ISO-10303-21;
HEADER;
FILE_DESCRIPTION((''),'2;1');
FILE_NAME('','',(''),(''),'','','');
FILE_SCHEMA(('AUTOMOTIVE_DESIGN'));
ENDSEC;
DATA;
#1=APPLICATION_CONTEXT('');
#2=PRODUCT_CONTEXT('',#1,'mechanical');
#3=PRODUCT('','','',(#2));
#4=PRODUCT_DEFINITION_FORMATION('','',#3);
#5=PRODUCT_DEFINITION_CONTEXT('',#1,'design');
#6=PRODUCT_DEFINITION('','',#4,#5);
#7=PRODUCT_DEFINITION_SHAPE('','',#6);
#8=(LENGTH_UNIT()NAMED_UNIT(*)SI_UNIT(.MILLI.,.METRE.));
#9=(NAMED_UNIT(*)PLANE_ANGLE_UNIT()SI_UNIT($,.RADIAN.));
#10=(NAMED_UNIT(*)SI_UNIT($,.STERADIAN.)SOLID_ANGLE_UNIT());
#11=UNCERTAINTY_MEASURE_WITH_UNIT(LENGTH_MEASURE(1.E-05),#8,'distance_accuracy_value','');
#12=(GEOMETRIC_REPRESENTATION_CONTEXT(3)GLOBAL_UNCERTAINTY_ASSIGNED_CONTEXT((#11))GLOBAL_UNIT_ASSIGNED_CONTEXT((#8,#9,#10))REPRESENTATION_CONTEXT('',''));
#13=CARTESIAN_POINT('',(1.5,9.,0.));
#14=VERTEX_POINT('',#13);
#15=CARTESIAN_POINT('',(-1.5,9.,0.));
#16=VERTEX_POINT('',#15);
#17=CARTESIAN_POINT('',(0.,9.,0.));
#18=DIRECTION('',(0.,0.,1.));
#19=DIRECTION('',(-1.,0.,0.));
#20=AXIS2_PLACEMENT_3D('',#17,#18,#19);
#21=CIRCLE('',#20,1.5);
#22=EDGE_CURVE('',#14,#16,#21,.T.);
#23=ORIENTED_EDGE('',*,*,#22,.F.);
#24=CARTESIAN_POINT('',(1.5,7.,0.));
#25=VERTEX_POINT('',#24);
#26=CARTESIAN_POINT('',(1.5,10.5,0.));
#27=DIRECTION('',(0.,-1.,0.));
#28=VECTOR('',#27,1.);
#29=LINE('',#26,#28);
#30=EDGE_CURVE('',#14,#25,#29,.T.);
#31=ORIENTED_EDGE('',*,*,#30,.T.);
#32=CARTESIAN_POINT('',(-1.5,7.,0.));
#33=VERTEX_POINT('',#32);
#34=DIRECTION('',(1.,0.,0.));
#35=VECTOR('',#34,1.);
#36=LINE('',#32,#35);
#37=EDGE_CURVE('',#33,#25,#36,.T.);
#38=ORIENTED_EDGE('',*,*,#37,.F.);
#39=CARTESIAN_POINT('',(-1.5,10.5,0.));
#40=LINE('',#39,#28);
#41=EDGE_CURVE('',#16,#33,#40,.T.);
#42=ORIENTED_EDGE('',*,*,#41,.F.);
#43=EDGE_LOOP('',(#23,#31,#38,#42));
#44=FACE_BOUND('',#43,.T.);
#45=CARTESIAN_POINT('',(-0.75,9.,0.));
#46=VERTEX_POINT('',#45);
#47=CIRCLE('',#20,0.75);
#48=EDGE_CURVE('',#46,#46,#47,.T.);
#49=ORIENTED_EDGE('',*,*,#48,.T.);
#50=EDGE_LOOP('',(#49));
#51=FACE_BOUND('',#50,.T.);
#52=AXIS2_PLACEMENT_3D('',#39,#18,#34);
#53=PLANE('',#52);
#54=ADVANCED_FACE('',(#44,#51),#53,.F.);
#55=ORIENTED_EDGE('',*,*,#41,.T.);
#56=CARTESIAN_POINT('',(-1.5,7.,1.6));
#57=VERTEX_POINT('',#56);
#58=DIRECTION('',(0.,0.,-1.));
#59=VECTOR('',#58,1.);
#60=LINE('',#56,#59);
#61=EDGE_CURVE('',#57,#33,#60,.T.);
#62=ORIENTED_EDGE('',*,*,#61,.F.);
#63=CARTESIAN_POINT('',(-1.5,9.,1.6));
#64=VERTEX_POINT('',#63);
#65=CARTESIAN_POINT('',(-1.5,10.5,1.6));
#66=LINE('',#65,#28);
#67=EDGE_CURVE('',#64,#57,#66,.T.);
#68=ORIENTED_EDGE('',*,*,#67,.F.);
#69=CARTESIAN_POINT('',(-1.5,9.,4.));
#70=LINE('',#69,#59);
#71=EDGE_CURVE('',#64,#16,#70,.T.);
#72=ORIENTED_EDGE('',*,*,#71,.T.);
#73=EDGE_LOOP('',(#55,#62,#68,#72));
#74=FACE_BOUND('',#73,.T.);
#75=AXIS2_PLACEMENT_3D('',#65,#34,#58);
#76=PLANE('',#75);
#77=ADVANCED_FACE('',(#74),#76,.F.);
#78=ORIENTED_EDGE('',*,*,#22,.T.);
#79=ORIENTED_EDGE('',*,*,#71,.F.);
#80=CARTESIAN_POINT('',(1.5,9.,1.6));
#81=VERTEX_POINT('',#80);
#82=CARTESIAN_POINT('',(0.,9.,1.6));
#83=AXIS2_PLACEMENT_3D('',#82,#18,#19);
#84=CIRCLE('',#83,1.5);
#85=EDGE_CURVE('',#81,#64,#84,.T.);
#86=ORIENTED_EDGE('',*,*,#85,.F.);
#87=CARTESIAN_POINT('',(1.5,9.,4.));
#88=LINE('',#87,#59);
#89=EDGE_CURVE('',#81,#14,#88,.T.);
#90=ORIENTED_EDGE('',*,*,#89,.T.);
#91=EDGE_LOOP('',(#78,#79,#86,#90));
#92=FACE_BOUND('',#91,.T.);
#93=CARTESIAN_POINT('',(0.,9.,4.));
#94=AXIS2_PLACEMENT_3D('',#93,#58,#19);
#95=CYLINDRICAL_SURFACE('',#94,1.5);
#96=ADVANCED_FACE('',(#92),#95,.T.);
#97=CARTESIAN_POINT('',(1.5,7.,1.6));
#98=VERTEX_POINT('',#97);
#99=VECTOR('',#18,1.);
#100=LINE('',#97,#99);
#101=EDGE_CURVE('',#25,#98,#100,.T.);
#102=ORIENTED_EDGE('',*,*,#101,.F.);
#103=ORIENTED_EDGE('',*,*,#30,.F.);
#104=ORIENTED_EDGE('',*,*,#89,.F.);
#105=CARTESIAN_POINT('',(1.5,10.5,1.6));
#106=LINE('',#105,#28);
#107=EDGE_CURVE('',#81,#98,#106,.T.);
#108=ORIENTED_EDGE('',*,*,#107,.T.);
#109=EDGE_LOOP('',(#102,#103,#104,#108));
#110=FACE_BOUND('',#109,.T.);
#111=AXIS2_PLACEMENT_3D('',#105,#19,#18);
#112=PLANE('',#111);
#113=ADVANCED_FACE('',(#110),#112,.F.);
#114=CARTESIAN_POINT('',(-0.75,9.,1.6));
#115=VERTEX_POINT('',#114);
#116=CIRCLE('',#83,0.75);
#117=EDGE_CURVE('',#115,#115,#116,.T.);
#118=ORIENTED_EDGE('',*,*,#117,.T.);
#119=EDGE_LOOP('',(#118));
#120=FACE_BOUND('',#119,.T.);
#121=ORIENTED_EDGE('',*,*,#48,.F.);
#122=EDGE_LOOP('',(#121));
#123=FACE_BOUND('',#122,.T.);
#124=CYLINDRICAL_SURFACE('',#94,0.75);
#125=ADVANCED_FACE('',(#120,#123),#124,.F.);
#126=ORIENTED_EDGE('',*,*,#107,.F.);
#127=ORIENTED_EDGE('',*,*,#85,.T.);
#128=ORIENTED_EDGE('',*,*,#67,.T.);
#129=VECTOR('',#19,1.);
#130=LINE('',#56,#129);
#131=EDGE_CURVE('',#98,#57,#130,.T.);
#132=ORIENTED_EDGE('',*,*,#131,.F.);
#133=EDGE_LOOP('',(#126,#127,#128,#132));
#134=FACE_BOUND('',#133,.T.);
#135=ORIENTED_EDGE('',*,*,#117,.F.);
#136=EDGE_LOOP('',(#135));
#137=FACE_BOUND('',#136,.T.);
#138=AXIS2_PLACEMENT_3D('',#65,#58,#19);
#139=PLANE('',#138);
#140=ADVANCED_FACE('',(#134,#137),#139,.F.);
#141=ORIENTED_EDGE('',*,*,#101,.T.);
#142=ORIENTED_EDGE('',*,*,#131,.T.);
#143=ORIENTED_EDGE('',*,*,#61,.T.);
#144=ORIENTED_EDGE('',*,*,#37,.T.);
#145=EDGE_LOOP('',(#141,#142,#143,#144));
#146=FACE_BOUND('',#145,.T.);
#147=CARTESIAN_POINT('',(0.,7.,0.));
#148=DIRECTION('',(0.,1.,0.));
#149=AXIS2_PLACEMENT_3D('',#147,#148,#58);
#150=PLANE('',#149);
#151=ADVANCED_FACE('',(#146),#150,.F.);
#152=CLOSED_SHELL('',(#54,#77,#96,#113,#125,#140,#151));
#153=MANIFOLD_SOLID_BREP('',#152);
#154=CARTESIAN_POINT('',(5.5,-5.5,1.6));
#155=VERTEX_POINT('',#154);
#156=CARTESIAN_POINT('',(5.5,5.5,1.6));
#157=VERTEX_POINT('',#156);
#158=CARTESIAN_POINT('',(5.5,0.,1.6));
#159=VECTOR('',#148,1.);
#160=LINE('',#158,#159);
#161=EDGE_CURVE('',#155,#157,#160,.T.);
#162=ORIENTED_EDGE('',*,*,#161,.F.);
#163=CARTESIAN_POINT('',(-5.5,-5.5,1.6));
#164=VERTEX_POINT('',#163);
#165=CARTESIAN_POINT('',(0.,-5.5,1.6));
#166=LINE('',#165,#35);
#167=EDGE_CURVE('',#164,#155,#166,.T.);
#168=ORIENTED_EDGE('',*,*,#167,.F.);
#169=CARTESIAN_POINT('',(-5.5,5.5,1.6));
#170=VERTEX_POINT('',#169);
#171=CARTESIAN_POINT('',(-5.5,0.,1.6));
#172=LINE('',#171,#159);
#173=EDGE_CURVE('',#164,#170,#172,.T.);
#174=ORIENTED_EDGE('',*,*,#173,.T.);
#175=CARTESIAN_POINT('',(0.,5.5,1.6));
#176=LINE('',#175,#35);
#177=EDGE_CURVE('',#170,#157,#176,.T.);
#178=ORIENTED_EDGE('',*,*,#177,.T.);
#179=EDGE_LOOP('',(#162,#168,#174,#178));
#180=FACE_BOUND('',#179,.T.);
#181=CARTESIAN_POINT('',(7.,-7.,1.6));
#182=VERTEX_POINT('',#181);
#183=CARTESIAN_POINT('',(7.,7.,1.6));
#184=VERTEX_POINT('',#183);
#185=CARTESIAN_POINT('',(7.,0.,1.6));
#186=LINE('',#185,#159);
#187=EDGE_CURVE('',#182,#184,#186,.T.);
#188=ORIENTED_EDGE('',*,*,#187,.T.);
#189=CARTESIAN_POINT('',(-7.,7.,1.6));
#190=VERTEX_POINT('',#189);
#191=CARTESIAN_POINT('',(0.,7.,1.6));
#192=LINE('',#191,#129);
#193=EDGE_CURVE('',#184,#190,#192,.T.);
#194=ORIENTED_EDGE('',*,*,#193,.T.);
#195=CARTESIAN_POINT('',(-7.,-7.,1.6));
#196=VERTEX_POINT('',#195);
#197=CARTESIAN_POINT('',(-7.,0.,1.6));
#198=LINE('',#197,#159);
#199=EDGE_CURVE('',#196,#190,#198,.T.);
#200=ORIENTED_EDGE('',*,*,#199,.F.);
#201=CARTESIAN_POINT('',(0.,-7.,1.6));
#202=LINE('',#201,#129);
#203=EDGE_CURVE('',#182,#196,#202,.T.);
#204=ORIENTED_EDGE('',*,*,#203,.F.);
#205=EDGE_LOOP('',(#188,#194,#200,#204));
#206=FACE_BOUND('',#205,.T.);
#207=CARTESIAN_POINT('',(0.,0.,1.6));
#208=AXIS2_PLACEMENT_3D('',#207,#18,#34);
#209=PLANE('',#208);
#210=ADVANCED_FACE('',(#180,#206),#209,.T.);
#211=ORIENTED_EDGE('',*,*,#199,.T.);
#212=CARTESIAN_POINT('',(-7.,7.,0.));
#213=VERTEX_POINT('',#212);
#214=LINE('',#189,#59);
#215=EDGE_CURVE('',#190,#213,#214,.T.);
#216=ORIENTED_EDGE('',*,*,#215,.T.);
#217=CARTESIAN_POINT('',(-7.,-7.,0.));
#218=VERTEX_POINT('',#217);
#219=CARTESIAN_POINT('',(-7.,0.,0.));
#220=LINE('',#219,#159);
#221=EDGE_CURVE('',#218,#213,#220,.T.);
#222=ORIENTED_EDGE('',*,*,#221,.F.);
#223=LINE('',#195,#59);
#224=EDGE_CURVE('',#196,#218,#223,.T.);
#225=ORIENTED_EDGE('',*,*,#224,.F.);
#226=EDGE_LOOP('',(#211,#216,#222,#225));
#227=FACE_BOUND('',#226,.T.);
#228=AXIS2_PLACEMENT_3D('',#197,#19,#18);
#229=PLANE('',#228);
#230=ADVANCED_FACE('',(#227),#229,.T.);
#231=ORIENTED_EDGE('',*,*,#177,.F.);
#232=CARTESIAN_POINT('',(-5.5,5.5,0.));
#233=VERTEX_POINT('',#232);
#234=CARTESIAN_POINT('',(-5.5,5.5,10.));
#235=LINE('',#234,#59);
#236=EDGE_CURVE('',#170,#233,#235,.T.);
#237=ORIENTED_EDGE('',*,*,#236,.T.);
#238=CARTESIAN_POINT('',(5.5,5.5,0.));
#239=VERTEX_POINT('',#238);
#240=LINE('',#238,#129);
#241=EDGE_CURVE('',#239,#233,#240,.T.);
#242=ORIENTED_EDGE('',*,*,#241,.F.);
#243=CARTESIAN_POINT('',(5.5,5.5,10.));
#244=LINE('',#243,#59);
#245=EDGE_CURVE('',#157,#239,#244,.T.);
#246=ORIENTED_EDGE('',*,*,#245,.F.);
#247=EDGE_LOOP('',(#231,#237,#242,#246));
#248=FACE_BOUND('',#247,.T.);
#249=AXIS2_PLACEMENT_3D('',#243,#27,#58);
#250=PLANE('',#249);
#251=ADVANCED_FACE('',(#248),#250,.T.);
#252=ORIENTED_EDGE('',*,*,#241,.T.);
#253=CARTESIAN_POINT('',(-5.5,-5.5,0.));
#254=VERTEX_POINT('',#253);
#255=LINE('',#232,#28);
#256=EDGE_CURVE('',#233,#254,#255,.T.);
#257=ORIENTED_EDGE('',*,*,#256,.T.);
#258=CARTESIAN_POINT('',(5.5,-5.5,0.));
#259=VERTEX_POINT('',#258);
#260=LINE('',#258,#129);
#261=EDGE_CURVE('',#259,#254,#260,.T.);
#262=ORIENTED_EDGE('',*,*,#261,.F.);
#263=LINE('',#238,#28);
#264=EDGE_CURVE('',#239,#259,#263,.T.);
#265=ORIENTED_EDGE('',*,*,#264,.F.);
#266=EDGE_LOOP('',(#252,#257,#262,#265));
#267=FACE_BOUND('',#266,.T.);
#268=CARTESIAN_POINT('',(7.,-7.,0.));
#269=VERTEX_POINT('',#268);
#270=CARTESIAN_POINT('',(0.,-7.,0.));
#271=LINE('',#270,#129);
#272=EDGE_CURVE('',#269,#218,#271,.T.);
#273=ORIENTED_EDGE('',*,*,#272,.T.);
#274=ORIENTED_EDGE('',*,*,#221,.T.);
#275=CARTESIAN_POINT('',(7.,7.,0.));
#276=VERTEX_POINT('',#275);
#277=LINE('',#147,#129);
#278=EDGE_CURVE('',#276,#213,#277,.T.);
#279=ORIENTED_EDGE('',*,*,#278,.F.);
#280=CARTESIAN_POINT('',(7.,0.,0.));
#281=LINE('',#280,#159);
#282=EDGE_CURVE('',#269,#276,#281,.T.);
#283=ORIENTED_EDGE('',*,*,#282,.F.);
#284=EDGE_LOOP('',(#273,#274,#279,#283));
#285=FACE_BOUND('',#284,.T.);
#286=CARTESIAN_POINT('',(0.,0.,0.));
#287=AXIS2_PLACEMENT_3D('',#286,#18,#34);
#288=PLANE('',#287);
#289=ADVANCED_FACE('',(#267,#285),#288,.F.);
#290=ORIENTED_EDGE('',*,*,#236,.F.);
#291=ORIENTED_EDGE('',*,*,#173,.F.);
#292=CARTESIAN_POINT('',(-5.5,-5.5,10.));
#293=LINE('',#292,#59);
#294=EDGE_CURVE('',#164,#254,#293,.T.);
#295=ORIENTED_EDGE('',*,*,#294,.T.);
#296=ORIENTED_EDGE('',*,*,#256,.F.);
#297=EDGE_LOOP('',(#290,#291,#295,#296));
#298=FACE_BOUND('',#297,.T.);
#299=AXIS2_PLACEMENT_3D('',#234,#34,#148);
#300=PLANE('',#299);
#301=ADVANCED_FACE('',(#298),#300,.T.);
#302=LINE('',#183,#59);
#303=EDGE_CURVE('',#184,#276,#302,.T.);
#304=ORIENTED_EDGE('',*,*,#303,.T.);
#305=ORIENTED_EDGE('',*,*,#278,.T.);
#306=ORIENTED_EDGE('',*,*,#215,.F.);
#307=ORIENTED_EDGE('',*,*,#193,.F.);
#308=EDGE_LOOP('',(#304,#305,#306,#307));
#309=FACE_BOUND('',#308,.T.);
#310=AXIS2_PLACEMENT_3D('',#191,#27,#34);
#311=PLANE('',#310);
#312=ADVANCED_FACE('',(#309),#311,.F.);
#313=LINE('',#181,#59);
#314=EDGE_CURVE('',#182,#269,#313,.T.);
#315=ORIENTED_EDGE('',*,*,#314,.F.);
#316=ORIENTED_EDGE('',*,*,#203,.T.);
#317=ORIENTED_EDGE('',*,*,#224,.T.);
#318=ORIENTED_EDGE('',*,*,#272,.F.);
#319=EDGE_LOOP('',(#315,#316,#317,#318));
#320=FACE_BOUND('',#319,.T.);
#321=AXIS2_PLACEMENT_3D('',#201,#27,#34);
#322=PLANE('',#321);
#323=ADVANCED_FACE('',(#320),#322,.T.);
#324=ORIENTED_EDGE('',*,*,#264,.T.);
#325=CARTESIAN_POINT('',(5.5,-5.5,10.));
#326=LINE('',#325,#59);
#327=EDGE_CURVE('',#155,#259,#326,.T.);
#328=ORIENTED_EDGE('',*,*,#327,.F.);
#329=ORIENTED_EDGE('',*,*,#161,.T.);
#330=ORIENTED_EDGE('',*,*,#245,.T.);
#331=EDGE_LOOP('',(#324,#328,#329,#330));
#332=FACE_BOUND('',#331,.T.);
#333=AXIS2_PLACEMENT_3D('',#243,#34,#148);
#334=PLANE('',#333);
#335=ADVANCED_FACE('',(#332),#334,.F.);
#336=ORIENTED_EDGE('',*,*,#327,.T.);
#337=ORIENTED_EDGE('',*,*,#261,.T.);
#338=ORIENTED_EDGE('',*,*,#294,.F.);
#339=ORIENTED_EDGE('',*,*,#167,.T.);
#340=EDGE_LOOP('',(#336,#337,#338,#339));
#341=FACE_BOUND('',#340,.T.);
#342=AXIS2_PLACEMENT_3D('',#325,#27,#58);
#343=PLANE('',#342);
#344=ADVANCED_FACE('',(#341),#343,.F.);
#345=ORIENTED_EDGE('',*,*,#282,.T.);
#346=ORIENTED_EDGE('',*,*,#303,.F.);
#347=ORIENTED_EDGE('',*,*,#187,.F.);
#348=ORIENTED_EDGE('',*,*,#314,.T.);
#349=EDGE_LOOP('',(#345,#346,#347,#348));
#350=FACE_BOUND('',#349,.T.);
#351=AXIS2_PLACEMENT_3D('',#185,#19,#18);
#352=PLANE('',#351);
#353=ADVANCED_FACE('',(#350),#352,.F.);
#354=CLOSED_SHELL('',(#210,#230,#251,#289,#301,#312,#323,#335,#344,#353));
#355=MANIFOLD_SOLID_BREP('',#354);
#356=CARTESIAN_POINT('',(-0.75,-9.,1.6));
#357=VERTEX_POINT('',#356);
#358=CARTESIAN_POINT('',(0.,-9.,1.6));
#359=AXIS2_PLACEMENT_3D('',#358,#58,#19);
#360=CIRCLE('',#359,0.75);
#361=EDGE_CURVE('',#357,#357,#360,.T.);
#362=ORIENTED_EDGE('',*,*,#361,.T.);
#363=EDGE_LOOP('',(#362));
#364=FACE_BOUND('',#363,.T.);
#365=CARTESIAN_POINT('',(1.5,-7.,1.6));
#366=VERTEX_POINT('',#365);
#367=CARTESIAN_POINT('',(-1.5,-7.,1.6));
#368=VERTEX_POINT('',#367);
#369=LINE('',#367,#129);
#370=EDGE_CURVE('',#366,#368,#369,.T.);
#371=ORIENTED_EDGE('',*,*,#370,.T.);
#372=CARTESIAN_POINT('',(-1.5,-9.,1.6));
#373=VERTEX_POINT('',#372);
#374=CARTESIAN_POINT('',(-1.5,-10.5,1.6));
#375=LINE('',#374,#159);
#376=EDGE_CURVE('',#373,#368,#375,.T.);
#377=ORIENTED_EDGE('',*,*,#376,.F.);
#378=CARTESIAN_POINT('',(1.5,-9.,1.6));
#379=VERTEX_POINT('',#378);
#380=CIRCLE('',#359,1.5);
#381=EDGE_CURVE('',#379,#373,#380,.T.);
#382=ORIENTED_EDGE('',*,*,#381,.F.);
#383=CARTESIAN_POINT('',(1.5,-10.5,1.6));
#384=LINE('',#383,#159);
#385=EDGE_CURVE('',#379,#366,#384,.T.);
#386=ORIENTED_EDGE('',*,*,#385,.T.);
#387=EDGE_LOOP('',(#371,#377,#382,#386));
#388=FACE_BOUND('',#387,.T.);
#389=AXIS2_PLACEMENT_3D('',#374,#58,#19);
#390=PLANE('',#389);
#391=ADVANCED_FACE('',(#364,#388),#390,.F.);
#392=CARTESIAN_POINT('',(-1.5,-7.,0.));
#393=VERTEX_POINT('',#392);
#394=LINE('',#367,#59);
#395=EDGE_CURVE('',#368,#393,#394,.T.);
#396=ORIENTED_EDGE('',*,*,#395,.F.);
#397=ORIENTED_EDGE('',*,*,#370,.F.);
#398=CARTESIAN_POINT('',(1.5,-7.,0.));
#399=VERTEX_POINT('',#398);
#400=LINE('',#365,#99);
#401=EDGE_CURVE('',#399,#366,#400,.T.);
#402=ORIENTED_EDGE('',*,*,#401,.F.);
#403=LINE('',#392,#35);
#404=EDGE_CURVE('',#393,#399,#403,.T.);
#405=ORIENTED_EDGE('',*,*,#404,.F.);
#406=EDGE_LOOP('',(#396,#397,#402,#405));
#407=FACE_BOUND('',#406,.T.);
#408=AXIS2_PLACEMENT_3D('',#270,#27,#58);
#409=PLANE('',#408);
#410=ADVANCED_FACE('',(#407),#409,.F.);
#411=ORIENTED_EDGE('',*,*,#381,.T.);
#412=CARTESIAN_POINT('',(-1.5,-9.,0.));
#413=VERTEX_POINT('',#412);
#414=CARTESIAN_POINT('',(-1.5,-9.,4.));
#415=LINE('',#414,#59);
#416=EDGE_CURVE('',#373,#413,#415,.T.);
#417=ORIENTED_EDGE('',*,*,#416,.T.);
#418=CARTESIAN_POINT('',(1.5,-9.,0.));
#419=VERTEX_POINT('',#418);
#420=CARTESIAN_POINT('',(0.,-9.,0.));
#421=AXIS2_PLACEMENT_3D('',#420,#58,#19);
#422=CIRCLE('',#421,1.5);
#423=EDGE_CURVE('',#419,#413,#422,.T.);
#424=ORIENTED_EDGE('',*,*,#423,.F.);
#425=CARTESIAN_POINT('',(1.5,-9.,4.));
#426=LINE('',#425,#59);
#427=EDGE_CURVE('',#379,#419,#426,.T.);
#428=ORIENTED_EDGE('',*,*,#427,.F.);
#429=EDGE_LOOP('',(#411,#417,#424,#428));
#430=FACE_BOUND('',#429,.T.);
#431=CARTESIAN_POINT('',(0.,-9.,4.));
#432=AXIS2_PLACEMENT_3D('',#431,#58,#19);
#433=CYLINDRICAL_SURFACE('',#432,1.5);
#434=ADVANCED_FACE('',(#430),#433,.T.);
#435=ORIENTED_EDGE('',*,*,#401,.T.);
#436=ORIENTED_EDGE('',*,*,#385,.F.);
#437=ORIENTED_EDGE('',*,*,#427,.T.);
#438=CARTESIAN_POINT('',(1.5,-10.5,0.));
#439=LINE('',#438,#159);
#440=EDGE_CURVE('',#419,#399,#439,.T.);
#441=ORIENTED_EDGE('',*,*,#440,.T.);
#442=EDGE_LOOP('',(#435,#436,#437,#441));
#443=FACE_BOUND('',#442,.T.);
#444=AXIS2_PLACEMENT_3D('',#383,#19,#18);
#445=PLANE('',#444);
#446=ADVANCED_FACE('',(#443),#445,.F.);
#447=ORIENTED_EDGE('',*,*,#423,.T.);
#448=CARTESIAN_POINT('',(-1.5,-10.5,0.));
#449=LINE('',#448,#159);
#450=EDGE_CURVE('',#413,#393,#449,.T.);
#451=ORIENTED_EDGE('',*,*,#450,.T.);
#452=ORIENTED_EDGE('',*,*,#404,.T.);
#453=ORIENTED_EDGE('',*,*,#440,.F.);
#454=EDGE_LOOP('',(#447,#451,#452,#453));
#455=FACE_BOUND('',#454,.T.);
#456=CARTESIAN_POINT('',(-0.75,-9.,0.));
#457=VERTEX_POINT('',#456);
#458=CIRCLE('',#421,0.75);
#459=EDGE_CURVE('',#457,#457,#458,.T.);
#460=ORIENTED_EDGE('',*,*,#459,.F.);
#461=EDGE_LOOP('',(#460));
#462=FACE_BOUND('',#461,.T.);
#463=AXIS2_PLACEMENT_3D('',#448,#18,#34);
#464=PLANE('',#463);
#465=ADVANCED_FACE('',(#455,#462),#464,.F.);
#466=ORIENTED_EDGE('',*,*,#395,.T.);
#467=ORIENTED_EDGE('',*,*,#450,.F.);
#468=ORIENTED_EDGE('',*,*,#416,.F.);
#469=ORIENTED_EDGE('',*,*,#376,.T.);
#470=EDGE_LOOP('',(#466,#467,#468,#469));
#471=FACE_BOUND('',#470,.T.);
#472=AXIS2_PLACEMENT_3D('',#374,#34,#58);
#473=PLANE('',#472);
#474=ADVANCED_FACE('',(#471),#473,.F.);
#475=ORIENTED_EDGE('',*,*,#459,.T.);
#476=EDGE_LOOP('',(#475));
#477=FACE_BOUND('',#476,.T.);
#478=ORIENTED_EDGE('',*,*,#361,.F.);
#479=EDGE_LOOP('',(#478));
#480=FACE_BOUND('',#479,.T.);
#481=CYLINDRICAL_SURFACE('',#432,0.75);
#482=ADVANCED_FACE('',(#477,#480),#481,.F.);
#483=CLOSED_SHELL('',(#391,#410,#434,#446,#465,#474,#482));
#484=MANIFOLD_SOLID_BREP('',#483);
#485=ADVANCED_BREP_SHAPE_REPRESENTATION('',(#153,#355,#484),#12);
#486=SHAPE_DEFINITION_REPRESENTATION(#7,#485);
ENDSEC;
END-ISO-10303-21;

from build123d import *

# Parameters (mm, degrees)
SKETCH_2_W          = 14
SKETCH_2_H          = 14
EXTRUDE_1_DEPTH     = 1.6
SKETCH_3_W          = 3
SKETCH_3_H          = 1.6
EXTRUDE_2_DEPTH     = 3.5
CUT_EXTRUDE_1_DEPTH = 4
SKETCH_5_R          = 0.75
CUT_EXTRUDE_2_DEPTH = 4
SKETCH_6_W          = 11
SKETCH_6_H          = 11
CUT_EXTRUDE_3_DEPTH = 10


with BuildPart() as part:
    # 草图2 → 凸台-拉伸1 (new body)
    with BuildSketch(Plane.XY):
        Rectangle(SKETCH_2_W, SKETCH_2_H)
    extrude(amount=EXTRUDE_1_DEPTH)

    # 草图6 → 切除-拉伸3 (cut)
    with BuildSketch(Plane(origin=(0, 0, 0), x_dir=(-1, 0, 0), z_dir=(0, 0, -1))):
        Rectangle(SKETCH_6_W, SKETCH_6_H)
    extrude(amount=-CUT_EXTRUDE_3_DEPTH, mode=Mode.SUBTRACT)


with BuildPart() as body_2:
    # 草图3 → 凸台-拉伸2 (new body)
    with BuildSketch(Plane.XZ.offset(7)):
        with Locations((0, 0.8)):
            Rectangle(SKETCH_3_W, SKETCH_3_H)
    extrude(amount=EXTRUDE_2_DEPTH)

    # 草图4 → 切除-拉伸1 (cut)
    with BuildSketch(Plane(origin=(0, 0, 0), x_dir=(-1, 0, 0), z_dir=(0, 0, -1))):
        with BuildLine():
            Line((1.5, -10.5), (1.5, -9))
            ThreePointArc((1.5, -9), (1.060660172, -10.060660172), (0, -10.5))
            Line((0, -10.5), (1.5, -10.5))
        make_face()
        with BuildLine():
            ThreePointArc((0, -10.5), (-1.060660172, -10.060660172), (-1.5, -9))
            Line((-1.5, -9), (-1.5, -10.5))
            Line((-1.5, -10.5), (0, -10.5))
        make_face()
    extrude(amount=-CUT_EXTRUDE_1_DEPTH, mode=Mode.SUBTRACT)

    # 草图5 → 切除-拉伸2 (cut)
    with BuildSketch(Plane(origin=(0, 0, 0), x_dir=(-1, 0, 0), z_dir=(0, 0, -1))):
        with Locations((0, -9)):
            Circle(SKETCH_5_R)
    extrude(amount=-CUT_EXTRUDE_2_DEPTH, mode=Mode.SUBTRACT)


with BuildPart() as body_3:
    # 镜向7: mirrored copy
    add(body_2.part.mirror(Plane.ZX))


solid = Compound([part.part, body_2.part, body_3.part])
